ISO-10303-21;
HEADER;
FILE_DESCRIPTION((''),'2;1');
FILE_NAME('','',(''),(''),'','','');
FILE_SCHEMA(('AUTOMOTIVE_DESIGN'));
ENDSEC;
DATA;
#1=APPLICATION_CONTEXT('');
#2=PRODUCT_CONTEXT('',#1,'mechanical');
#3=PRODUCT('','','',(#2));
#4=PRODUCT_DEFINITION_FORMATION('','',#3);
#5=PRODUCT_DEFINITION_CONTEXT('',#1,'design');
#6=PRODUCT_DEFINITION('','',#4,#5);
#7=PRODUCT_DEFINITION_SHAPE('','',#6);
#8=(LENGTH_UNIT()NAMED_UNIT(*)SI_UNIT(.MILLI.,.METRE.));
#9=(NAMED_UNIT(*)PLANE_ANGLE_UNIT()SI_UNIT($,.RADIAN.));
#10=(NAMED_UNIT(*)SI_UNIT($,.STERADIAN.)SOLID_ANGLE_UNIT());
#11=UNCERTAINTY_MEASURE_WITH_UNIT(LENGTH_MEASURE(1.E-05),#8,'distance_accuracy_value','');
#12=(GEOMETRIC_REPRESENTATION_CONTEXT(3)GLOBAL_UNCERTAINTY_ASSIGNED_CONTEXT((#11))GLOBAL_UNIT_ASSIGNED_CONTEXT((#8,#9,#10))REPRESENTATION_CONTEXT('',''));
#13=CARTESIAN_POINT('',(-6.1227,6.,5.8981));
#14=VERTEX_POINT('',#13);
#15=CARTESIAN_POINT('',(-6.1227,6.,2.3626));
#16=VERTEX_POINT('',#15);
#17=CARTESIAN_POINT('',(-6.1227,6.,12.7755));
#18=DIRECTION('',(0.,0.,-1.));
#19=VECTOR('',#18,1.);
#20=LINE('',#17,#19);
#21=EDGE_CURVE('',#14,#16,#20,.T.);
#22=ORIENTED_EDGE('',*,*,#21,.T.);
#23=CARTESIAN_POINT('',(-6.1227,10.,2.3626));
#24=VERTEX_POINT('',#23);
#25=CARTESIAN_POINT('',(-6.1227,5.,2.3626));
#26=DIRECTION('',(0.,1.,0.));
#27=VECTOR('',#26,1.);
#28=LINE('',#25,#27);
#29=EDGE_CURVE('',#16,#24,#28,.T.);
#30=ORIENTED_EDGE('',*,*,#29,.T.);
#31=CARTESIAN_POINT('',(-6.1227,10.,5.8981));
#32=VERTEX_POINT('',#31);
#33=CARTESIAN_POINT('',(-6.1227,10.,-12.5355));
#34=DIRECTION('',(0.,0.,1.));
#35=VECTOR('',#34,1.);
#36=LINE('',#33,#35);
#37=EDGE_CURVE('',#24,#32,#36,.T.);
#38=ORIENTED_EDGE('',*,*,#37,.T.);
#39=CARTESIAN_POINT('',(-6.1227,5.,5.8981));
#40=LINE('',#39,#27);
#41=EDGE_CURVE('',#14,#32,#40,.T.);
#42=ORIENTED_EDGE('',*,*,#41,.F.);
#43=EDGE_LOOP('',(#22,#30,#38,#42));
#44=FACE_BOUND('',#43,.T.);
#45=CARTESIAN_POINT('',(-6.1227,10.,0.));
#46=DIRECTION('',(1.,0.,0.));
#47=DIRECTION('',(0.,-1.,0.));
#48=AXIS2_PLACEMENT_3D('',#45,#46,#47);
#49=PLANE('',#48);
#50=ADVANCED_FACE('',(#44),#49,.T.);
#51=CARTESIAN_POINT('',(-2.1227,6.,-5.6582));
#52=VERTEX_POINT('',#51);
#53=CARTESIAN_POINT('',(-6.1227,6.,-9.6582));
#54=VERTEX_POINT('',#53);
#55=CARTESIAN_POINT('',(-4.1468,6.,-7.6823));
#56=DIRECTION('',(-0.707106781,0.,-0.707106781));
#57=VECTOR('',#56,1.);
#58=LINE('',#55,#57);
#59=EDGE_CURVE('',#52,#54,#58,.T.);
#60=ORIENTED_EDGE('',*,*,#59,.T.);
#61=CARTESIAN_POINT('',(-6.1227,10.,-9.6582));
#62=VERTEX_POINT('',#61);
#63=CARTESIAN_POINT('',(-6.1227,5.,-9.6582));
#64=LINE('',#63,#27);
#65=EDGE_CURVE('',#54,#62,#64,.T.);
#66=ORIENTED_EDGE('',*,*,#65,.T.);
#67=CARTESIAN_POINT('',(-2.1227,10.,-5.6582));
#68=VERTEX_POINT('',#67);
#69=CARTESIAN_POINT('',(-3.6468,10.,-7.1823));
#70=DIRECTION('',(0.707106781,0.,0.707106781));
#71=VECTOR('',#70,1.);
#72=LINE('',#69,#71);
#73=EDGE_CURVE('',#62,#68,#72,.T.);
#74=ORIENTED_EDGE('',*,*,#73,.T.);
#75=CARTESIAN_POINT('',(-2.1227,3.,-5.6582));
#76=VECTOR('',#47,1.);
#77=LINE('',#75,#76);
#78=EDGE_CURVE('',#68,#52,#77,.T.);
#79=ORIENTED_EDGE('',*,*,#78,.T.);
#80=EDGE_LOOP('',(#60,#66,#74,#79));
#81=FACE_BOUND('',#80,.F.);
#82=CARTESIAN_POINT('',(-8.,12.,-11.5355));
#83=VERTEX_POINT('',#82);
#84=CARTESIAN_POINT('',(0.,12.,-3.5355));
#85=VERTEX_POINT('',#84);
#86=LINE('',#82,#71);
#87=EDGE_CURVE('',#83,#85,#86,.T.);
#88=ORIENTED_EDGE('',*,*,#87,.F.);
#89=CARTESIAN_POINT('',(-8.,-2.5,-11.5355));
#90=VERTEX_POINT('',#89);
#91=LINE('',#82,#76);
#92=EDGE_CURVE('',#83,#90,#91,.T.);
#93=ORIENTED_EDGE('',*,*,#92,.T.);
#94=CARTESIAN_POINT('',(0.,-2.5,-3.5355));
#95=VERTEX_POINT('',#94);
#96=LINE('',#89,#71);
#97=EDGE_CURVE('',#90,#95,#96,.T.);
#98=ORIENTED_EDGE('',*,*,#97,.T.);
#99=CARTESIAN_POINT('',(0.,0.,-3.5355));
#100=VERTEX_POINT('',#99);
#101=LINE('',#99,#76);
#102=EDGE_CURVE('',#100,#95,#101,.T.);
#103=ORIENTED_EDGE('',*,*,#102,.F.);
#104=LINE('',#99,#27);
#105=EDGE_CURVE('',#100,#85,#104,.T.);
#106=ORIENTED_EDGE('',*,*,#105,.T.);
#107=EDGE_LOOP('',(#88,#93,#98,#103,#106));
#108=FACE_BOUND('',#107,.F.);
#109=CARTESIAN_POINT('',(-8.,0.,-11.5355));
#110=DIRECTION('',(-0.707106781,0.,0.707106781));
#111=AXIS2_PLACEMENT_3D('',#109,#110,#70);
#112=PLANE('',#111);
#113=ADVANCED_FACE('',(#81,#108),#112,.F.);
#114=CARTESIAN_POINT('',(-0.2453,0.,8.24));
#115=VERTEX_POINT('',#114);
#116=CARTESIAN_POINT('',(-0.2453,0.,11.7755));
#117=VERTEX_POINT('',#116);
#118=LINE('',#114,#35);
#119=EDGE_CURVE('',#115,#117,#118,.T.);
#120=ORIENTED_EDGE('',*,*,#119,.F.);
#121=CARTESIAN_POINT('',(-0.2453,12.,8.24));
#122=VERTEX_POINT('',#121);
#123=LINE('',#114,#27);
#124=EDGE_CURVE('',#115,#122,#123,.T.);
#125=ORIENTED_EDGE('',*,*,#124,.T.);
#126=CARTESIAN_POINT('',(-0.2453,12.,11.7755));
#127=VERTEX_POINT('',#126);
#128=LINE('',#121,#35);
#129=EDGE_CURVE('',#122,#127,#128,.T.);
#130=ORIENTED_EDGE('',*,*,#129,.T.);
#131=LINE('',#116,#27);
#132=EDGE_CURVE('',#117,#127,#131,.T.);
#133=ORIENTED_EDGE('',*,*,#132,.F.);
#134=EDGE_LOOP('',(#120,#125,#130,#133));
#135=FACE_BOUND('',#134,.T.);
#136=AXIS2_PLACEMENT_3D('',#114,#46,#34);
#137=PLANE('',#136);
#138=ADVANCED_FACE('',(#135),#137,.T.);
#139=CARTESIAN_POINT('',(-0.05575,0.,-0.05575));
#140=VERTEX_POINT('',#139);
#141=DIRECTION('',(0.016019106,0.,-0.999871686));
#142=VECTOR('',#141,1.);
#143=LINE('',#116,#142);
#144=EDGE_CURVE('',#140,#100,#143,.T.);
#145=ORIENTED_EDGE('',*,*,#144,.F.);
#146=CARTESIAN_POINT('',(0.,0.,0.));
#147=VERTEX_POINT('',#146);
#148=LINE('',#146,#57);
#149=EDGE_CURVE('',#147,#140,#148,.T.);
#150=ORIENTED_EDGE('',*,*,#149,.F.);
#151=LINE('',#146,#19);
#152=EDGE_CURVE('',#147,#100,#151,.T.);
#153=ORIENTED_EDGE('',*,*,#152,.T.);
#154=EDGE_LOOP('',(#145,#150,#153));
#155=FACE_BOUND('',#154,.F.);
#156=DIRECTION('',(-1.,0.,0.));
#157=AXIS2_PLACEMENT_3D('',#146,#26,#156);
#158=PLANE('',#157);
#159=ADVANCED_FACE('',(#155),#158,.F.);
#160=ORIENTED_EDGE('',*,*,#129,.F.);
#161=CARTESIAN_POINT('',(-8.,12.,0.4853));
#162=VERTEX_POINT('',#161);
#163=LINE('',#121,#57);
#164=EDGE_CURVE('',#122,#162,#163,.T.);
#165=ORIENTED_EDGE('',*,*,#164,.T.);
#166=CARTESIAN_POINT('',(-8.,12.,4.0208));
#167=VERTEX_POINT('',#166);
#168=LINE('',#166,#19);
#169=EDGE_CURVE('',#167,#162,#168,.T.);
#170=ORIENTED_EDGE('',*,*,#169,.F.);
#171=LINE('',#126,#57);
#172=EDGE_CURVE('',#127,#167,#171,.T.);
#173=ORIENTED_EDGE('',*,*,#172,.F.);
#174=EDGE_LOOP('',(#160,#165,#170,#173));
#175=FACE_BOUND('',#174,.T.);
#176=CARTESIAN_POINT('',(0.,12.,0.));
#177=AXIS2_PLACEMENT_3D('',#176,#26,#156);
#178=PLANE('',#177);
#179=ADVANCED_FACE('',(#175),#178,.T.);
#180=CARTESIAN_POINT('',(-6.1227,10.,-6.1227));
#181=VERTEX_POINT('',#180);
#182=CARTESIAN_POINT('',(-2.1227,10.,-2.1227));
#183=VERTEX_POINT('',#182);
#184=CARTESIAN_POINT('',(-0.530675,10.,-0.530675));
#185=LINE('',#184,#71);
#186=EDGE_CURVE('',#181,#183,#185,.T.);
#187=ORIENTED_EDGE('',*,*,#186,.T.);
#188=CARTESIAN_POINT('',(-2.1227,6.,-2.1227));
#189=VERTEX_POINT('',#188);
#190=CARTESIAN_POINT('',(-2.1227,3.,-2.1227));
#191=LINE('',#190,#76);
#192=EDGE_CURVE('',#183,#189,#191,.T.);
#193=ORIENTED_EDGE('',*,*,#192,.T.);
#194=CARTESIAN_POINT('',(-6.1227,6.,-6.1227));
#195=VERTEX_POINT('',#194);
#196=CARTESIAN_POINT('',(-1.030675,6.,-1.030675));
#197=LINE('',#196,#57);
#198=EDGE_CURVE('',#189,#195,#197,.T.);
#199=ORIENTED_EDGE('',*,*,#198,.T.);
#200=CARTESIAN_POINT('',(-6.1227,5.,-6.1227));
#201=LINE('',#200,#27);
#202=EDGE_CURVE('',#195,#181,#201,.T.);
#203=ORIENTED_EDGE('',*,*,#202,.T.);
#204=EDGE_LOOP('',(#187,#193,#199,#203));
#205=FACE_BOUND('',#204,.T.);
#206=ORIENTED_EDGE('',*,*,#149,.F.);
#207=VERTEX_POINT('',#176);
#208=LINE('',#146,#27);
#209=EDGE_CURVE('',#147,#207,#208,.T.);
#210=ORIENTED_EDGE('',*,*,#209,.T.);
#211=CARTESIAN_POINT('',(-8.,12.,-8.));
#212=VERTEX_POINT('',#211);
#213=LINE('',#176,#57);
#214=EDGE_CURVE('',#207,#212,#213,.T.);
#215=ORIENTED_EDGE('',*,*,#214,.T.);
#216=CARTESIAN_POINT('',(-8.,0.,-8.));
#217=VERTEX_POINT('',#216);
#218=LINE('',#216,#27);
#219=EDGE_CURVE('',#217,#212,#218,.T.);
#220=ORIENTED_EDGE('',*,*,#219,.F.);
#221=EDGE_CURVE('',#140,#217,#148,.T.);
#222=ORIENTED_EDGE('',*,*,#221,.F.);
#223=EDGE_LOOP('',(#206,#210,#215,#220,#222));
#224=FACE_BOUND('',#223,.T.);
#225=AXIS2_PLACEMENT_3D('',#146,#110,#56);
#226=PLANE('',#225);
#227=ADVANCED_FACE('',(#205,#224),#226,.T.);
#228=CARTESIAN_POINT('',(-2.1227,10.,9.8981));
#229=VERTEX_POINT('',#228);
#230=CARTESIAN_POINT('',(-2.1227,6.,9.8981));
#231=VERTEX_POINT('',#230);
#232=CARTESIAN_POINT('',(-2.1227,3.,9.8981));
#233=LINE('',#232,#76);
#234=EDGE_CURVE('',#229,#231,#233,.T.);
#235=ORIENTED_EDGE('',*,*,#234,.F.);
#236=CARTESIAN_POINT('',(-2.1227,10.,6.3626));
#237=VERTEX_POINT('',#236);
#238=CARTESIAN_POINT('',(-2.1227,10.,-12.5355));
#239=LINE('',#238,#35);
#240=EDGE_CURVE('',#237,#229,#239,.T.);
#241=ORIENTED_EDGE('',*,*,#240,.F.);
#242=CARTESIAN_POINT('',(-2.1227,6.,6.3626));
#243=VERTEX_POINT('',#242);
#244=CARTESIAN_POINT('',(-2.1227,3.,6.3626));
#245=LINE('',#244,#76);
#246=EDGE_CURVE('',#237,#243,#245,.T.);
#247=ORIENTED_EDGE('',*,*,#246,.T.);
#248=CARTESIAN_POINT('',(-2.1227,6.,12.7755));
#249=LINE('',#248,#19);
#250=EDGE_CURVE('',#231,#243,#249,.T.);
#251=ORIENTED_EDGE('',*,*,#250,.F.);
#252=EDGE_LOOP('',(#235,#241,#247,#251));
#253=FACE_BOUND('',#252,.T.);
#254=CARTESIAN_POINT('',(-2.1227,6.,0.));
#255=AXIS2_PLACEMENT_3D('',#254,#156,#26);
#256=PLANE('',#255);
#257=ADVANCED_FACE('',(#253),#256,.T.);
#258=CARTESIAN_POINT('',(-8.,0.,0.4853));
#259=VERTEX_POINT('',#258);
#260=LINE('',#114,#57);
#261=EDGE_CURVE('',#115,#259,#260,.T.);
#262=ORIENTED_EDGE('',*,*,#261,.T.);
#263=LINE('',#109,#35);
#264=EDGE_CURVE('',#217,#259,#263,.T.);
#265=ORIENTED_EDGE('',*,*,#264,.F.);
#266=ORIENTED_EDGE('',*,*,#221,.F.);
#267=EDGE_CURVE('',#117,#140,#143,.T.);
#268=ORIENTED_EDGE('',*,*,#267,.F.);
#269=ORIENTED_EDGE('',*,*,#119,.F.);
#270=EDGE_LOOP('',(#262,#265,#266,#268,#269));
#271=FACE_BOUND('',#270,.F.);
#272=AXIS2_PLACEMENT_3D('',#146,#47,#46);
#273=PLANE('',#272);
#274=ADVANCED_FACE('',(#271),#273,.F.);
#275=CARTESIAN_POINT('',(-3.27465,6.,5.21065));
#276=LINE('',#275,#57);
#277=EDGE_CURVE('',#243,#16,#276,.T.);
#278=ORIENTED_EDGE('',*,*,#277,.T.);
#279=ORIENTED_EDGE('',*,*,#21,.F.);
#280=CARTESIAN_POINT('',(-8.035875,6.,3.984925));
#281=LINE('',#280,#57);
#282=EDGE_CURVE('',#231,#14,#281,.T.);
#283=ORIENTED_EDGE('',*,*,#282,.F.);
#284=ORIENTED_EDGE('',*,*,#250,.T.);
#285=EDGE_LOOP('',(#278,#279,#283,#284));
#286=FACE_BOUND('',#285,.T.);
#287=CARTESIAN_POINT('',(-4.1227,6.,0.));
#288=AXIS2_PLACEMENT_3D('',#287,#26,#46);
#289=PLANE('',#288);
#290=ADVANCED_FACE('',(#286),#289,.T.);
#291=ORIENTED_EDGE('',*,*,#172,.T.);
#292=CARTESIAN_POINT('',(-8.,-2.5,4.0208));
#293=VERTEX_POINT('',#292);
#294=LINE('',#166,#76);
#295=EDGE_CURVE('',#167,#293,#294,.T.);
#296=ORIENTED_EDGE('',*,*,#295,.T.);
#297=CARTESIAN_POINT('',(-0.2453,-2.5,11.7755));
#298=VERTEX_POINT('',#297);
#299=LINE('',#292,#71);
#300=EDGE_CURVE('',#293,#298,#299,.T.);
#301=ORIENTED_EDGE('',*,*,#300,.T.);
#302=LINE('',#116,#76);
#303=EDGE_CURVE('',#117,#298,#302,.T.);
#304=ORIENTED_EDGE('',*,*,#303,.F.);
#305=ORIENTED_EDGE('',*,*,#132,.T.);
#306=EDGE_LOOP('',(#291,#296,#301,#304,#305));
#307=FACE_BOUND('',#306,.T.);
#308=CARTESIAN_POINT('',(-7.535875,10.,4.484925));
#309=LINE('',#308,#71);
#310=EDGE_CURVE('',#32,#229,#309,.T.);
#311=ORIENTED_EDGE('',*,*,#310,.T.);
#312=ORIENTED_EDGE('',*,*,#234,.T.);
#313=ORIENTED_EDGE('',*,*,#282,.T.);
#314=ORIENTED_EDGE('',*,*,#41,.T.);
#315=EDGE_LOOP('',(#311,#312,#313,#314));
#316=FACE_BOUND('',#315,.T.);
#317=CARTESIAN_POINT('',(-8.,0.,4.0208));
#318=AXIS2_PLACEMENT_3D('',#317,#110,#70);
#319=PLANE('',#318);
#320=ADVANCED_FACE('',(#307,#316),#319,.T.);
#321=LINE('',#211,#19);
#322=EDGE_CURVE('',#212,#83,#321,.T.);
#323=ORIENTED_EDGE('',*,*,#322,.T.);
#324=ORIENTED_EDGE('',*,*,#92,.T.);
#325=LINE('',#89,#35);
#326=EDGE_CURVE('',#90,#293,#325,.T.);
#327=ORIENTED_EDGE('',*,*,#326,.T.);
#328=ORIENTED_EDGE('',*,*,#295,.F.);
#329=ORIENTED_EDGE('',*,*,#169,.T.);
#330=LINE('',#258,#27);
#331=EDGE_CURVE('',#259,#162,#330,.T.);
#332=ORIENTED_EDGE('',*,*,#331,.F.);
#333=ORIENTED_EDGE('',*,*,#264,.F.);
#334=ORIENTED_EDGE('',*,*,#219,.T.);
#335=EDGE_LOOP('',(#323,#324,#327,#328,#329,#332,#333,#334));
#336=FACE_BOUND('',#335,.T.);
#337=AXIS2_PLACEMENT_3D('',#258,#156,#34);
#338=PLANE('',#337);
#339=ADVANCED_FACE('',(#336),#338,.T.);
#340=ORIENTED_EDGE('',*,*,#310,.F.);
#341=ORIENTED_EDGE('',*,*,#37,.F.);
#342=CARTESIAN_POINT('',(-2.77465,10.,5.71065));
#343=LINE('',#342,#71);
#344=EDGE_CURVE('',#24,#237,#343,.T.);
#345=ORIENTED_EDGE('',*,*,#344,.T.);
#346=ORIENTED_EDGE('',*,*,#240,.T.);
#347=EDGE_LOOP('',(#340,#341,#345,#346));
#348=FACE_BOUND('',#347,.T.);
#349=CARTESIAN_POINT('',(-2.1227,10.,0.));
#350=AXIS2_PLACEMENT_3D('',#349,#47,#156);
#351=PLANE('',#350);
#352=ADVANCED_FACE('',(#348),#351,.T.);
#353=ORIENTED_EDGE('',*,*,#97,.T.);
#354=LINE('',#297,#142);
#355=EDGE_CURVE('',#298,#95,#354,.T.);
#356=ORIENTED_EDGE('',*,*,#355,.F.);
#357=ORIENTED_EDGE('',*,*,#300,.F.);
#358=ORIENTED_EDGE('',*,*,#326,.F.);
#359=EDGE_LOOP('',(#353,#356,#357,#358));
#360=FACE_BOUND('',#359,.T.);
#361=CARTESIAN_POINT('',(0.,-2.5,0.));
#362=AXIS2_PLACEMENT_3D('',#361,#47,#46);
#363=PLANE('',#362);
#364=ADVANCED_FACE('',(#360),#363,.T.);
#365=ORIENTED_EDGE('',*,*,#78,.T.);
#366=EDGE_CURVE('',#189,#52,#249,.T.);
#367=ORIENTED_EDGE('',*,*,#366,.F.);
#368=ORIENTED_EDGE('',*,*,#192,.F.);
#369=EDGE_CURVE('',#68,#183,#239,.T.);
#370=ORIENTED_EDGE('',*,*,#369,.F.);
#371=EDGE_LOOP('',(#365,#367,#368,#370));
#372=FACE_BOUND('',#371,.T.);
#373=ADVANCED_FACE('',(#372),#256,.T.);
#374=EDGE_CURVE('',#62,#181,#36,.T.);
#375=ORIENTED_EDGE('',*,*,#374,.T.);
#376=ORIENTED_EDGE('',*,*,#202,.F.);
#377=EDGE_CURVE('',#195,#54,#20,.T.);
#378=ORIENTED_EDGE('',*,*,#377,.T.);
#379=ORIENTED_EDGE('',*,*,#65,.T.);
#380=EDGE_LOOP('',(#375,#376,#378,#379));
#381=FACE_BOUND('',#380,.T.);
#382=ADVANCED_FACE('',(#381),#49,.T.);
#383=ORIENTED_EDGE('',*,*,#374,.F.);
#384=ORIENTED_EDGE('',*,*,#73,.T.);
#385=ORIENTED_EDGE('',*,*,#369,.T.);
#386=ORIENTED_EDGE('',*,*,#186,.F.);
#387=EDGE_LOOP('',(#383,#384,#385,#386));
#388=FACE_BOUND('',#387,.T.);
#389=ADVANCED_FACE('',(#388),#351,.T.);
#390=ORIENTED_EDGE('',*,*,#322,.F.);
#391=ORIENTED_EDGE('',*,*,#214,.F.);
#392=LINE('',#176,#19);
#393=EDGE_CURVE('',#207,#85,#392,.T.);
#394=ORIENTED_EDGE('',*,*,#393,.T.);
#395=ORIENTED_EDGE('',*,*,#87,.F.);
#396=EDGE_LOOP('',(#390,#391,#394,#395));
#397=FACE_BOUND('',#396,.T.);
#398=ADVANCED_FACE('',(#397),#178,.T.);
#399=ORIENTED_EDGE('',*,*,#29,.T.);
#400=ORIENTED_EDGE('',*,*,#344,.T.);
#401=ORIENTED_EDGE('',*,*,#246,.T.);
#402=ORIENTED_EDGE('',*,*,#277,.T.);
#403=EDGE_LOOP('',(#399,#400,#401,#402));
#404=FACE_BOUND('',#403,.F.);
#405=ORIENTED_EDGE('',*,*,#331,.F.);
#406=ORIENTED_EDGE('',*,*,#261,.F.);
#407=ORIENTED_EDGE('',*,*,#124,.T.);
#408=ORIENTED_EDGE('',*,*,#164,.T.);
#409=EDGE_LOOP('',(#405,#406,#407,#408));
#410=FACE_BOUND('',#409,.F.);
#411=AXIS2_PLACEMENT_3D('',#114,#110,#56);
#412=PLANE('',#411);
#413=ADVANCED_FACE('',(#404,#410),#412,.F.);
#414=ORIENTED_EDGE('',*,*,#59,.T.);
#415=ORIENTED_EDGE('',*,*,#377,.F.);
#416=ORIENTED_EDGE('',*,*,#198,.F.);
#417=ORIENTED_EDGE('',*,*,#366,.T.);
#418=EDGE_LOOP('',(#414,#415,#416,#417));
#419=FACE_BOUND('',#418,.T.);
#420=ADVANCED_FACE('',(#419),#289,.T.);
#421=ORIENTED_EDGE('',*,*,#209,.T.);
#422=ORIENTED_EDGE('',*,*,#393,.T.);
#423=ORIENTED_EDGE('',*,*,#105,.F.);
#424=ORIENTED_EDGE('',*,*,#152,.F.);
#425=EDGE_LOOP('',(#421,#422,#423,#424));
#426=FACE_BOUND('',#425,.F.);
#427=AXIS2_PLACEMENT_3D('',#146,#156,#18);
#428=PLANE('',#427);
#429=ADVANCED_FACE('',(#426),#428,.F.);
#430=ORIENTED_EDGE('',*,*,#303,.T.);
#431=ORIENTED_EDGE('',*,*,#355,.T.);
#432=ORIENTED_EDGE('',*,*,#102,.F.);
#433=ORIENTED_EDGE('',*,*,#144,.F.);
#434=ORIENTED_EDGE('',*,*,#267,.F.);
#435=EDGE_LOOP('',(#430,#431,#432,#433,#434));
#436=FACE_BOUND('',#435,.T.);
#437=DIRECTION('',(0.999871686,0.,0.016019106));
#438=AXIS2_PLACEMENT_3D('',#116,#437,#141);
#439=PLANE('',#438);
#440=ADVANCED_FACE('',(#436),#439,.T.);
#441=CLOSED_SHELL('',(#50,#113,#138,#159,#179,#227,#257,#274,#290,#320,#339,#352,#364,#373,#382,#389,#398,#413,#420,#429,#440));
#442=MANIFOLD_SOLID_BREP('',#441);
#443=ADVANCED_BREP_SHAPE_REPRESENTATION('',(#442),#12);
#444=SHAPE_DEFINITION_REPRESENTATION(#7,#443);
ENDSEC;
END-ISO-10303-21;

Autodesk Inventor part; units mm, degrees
ref_plane "YZ Plane" through (0, 0, 0) normal (1, 0, 0) x (0, 1, 0)
ref_plane "XZ Plane" through (0, 0, 0) normal (0, 1, 0) x (-1, 0, 0)
ref_plane "XY Plane" through (0, 0, 0) normal (0, 0, 1) x (1, 0, 0)
sketch "Sketch2" plane through (0, 0, 0) normal (0, 1, 0) x (-1, 0, 0)
  line L0 (0, 0) -> (7.7547, -7.7547) construction
  line L1 (0, 0) -> (0, -11.6637) construction
  line L2 (-25.4458, 33.931) -> (0, 8.4853) construction
  line L3 (0, 0) -> (8, -8)
  line L4 (8, -11.5355) -> (8, -11.5355)
  line L5 (8, -8) -> (8, -11.5355)
  line L6 (0, 0) -> (0, -3.5355)
  line L7 (0, 8.4853) -> (0.2453, 8.24)
  line L8 (0.2453, 11.7755) -> (8, 4.0208)
  line L9 (8, 4.0208) -> (8, 0.4853)
  line L10 (0.2453, 8.24) -> (8, 0.4853)
  line L11 (8, -11.5355) -> (0, -3.5355)
  line L12 (0, 8.4853) -> (8, 0.4853) construction
  line L13 (0.2453, 8.24) -> (0.2453, 11.7755)
  dimension "d0" = 45
  dimension "d1" = 6
  dimension "d2" = 2.5
  dimension "d4" = 8
extrude "Extrusion1" add sketch "Sketch2" along normal blind 12
sketch "Sketch3" plane through (0, 0, 0) normal (0, -1, 0) x (1, 0, 0)
  line L0 (-8, 4.0208) -> (-0.2453, 11.7755) projected
  line L1 (-8, -11.5355) -> (0, -3.5355) projected
  line L2 (-8, -8) -> (-8, -11.5355) projected
  line L3 (0, 26.3321) -> (0, -17.8468) projected
  line L4 (-8, 0.4853) -> (-8, 4.0208) projected
  line L5 (-0.2453, 11.7755) -> (0, -3.5355)
  line L6 (-8, -11.5355) -> (-8, 4.0208)
  line L7 (-8, 4.0208) -> (-0.2453, 11.7755)
  line L8 (0, -3.5355) -> (-8, -11.5355)
  point P0 (0, 0)
  point P1 (-15, -6.5147)
extrude "Extrusion2" add sketch "Sketch3" along normal blind 2.5
sketch "Sketch4" plane through (0, 0, 0) normal (0, 0, 1) x (1, 0, 0)
  line L0 (-8, 12) -> (-0.2453, 12) projected
  line L1 (-2.1227, 10) -> (-6.1227, 10)
  line L2 (-6.1227, 10) -> (-6.1227, 6)
  line L3 (-6.1227, 6) -> (-2.1227, 6)
  line L4 (-2.1227, 6) -> (-2.1227, 10)
  line L5 (-4.1227, 12) -> (-4.1227, 0)
  line L6 (0, 0) -> (-8, 0) projected
  point P0 (-4.1227, 10)
  dimension "d9" = 4
  dimension "d10" = 4
  dimension "d13" = 6
extrude "Extrusion3" cut sketch "Sketch4" along normal through all both and the other way through all
properties part number "gimbal_stick_fixation"
